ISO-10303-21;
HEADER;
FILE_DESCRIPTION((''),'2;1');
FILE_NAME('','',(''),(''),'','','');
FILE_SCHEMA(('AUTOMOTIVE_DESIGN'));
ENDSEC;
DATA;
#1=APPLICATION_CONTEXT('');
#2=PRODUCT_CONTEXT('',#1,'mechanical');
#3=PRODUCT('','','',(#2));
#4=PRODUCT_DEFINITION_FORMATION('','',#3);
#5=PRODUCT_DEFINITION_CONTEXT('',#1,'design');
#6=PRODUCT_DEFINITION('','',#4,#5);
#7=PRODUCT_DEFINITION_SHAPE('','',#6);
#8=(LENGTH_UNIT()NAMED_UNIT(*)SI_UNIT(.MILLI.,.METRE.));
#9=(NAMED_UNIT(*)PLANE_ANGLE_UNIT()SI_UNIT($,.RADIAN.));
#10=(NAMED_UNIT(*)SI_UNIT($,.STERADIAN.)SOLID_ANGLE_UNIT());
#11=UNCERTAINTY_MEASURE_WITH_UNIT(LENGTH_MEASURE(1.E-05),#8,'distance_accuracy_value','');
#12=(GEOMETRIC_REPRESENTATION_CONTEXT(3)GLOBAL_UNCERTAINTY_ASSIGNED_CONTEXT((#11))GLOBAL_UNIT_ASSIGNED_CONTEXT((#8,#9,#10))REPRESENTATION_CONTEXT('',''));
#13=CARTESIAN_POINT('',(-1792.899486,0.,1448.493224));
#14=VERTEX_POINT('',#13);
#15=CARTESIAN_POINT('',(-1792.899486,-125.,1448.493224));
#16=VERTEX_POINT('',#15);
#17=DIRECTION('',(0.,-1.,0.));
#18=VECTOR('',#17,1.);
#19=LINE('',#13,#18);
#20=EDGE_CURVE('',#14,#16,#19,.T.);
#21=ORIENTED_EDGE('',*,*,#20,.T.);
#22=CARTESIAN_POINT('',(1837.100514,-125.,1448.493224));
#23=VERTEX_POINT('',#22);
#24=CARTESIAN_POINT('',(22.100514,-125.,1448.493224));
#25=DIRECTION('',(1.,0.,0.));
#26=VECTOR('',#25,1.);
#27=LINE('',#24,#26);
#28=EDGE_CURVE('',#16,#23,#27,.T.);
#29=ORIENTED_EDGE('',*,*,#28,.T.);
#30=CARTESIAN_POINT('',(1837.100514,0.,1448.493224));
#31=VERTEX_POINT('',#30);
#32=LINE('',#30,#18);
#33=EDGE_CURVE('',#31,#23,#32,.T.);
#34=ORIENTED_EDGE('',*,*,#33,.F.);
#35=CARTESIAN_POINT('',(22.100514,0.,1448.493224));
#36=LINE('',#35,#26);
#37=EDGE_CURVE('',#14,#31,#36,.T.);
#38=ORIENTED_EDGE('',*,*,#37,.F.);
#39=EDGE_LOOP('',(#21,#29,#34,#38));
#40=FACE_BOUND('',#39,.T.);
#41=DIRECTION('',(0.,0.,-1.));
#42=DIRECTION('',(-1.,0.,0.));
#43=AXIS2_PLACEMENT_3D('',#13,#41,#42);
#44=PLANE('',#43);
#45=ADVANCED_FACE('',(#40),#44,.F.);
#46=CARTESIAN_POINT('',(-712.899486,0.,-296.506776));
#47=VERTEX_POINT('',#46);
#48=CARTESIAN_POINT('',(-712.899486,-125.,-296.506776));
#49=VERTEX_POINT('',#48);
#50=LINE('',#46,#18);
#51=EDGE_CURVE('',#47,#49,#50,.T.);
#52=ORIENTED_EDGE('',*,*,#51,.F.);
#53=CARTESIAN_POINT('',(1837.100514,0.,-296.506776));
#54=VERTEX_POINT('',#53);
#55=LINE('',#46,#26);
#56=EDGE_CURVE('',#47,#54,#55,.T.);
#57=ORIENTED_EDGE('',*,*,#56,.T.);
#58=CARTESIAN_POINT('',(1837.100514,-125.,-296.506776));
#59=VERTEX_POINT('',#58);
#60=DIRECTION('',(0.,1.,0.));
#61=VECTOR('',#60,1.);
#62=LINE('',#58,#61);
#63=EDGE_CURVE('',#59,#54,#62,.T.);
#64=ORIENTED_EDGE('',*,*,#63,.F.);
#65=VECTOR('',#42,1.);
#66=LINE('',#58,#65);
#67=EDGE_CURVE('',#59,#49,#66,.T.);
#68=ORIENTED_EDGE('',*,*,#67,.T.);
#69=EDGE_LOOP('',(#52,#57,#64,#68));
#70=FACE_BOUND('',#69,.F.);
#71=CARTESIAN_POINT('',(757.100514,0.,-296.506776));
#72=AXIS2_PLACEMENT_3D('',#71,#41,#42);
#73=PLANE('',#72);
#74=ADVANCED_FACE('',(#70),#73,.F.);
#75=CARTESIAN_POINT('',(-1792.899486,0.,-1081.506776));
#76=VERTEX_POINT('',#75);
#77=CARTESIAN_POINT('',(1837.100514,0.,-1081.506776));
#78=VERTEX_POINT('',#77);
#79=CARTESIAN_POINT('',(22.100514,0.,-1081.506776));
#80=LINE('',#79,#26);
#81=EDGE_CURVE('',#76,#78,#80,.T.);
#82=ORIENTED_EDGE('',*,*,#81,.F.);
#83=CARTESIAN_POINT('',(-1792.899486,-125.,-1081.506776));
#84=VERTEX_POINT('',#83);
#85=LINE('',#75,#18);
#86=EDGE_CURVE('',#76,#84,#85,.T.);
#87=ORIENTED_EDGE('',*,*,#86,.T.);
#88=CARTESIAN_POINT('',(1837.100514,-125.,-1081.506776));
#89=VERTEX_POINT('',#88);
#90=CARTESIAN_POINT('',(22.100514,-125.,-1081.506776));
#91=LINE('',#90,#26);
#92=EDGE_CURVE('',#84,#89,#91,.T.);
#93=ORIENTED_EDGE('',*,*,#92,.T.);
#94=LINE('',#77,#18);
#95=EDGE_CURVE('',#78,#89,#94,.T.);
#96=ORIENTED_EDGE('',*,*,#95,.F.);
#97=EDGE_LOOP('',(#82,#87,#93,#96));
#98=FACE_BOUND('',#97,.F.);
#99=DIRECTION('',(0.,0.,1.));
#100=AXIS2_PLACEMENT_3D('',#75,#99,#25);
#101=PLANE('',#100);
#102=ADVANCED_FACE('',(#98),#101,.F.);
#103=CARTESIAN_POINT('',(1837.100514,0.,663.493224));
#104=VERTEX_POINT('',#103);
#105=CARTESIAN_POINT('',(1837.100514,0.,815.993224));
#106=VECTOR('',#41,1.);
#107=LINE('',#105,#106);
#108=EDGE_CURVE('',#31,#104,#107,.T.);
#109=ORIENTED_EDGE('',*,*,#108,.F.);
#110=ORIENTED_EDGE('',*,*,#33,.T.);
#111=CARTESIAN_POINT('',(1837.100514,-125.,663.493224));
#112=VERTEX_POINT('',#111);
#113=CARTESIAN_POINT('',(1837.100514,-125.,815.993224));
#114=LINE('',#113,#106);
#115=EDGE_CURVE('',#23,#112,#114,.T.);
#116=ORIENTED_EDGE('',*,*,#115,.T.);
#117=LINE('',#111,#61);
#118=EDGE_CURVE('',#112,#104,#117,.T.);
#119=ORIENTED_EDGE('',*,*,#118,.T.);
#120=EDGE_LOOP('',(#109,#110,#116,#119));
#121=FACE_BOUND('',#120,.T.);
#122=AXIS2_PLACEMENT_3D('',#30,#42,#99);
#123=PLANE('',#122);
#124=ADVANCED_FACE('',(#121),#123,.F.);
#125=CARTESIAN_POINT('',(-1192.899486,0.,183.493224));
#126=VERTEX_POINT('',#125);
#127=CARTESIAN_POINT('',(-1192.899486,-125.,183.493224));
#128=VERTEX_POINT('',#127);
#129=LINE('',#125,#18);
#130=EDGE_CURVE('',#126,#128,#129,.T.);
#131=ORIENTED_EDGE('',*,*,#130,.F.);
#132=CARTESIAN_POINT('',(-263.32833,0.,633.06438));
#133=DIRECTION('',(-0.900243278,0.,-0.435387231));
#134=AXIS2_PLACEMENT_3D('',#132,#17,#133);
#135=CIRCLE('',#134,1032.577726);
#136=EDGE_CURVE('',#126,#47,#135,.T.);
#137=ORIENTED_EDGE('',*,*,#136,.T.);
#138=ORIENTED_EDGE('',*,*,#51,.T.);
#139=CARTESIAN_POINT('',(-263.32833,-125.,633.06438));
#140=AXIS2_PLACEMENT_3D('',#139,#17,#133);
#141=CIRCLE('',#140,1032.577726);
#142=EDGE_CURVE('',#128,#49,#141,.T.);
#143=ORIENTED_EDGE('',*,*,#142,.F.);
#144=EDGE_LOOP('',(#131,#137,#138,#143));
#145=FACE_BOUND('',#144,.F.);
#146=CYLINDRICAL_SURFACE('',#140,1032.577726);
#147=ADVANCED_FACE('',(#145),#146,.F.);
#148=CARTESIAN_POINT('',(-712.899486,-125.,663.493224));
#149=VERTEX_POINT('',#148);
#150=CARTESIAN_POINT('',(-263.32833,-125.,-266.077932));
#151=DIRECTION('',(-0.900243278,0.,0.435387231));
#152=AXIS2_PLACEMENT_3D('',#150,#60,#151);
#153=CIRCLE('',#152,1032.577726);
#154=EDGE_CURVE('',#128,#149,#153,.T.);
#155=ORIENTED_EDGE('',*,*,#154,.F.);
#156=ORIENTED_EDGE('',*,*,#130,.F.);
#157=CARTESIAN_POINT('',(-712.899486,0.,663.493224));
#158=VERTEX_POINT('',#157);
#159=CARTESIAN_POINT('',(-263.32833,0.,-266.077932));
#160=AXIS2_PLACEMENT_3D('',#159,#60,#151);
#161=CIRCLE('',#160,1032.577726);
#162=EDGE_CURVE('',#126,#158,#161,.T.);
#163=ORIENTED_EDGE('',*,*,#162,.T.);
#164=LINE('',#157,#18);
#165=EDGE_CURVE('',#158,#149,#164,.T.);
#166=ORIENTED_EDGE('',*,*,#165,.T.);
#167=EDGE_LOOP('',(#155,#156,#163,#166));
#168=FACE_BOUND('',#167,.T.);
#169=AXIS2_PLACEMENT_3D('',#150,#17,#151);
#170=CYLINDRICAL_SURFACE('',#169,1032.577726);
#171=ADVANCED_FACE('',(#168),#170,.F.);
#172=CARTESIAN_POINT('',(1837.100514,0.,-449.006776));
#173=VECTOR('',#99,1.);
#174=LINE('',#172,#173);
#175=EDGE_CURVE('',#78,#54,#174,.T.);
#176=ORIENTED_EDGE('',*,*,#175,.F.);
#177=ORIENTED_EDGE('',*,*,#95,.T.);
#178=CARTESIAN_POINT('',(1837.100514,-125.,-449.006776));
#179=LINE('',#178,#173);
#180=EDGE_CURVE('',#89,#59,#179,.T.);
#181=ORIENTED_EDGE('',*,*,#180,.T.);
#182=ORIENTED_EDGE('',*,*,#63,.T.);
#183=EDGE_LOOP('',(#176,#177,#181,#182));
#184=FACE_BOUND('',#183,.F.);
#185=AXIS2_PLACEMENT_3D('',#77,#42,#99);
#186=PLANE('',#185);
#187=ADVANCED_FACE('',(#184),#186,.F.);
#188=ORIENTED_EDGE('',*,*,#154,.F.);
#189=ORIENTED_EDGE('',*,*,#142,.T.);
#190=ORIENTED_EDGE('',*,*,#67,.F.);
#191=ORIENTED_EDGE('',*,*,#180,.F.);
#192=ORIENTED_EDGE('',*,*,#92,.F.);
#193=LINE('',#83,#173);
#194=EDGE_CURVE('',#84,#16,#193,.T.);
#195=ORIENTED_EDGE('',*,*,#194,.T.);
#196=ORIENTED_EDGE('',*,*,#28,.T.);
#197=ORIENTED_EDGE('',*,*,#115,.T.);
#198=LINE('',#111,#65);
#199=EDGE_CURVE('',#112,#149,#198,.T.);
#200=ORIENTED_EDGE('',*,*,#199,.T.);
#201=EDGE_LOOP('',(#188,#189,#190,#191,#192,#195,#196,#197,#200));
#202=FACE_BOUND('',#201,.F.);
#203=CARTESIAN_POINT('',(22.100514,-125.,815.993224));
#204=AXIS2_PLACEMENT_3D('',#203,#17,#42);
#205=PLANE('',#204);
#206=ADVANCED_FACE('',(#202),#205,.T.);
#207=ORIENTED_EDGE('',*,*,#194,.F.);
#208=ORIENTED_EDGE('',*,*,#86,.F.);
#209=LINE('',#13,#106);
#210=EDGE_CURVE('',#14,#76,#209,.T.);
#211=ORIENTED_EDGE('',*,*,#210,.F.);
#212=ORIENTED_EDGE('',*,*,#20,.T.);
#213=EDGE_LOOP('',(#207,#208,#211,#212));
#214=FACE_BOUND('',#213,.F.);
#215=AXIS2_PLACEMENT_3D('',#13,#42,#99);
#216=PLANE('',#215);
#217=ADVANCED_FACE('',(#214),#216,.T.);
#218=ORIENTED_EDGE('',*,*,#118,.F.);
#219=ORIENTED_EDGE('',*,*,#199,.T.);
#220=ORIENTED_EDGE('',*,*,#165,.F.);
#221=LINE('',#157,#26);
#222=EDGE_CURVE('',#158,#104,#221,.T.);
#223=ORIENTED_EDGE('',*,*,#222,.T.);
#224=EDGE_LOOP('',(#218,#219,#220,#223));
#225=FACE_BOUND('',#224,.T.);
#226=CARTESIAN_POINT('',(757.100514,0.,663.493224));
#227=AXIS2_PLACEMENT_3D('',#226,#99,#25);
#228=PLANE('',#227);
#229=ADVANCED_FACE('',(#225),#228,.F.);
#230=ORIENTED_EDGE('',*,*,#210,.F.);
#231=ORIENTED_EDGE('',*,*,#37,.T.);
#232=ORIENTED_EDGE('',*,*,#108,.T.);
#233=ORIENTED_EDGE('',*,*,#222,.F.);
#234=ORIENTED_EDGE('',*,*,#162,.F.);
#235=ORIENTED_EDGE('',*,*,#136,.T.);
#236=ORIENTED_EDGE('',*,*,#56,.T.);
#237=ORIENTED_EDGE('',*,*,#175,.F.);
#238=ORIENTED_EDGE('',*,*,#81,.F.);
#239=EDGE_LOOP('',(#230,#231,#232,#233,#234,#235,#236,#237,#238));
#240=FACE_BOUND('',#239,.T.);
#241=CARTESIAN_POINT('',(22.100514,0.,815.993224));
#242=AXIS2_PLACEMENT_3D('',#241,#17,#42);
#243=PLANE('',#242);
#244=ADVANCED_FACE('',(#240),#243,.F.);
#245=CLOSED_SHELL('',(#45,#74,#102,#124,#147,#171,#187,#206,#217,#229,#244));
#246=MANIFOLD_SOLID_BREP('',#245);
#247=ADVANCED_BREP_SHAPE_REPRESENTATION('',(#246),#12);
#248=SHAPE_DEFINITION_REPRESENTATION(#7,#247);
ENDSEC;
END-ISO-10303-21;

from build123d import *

# Parameters (mm, degrees)
F0_W     = 3630
F0_H     = 1265
F1_DEPTH = 125
F3_DEPTH = 125
F5_DEPTH = 125
F7_DEPTH = 125


with BuildPart() as f1:
    # F0 (on Front) → F1 (new body)
    with BuildSketch(Plane.XZ):
        with Locations((22.100514, -449.006776)):
            Rectangle(F0_W, F0_H)
    extrude(amount=F1_DEPTH)

    # F2 (on face) → F3 (cut, through all)
    with BuildSketch(Plane(origin=(0, 0, 0), x_dir=(-1, 0, 0), z_dir=(0, 1, 0))):
        Polygon((1192.899486, 183.493224), (-1237.100514, 183.493224), (-757.100514, -296.506776), (712.899486, -296.506776), align=None)
    extrude(amount=-F3_DEPTH, mode=Mode.SUBTRACT)

    # F4 (on face) → F5 (cut, through all)
    with BuildSketch(Plane.XZ.offset(125)):
        Polygon((1237.100514, 183.493224), (757.100514, -296.506776), (1837.100514, -296.506776), (1837.100514, 183.493224), align=None)
    extrude(amount=-F5_DEPTH, mode=Mode.SUBTRACT)

    # F6 (on face) → F7 (cut, through all)
    with BuildSketch(Plane.XZ.offset(125)):
        with BuildLine():
            Line((-712.899486, -296.506776), (-1192.899486, 183.493224))
            ThreePointArc((-1192.899486, 183.493224), (-993.471042, -97.078331), (-712.899486, -296.506776))
        make_face()
    extrude(amount=-F7_DEPTH, mode=Mode.SUBTRACT)

    # F8: F1 across face


with BuildPart() as f1_1:
    add(f1.part)
    add(f1.part.mirror(Plane(origin=(-1492.899486, -62.5, 183.493224), x_dir=(1, 0, 0), z_dir=(0, 0, 1))))


solid = f1_1.part
